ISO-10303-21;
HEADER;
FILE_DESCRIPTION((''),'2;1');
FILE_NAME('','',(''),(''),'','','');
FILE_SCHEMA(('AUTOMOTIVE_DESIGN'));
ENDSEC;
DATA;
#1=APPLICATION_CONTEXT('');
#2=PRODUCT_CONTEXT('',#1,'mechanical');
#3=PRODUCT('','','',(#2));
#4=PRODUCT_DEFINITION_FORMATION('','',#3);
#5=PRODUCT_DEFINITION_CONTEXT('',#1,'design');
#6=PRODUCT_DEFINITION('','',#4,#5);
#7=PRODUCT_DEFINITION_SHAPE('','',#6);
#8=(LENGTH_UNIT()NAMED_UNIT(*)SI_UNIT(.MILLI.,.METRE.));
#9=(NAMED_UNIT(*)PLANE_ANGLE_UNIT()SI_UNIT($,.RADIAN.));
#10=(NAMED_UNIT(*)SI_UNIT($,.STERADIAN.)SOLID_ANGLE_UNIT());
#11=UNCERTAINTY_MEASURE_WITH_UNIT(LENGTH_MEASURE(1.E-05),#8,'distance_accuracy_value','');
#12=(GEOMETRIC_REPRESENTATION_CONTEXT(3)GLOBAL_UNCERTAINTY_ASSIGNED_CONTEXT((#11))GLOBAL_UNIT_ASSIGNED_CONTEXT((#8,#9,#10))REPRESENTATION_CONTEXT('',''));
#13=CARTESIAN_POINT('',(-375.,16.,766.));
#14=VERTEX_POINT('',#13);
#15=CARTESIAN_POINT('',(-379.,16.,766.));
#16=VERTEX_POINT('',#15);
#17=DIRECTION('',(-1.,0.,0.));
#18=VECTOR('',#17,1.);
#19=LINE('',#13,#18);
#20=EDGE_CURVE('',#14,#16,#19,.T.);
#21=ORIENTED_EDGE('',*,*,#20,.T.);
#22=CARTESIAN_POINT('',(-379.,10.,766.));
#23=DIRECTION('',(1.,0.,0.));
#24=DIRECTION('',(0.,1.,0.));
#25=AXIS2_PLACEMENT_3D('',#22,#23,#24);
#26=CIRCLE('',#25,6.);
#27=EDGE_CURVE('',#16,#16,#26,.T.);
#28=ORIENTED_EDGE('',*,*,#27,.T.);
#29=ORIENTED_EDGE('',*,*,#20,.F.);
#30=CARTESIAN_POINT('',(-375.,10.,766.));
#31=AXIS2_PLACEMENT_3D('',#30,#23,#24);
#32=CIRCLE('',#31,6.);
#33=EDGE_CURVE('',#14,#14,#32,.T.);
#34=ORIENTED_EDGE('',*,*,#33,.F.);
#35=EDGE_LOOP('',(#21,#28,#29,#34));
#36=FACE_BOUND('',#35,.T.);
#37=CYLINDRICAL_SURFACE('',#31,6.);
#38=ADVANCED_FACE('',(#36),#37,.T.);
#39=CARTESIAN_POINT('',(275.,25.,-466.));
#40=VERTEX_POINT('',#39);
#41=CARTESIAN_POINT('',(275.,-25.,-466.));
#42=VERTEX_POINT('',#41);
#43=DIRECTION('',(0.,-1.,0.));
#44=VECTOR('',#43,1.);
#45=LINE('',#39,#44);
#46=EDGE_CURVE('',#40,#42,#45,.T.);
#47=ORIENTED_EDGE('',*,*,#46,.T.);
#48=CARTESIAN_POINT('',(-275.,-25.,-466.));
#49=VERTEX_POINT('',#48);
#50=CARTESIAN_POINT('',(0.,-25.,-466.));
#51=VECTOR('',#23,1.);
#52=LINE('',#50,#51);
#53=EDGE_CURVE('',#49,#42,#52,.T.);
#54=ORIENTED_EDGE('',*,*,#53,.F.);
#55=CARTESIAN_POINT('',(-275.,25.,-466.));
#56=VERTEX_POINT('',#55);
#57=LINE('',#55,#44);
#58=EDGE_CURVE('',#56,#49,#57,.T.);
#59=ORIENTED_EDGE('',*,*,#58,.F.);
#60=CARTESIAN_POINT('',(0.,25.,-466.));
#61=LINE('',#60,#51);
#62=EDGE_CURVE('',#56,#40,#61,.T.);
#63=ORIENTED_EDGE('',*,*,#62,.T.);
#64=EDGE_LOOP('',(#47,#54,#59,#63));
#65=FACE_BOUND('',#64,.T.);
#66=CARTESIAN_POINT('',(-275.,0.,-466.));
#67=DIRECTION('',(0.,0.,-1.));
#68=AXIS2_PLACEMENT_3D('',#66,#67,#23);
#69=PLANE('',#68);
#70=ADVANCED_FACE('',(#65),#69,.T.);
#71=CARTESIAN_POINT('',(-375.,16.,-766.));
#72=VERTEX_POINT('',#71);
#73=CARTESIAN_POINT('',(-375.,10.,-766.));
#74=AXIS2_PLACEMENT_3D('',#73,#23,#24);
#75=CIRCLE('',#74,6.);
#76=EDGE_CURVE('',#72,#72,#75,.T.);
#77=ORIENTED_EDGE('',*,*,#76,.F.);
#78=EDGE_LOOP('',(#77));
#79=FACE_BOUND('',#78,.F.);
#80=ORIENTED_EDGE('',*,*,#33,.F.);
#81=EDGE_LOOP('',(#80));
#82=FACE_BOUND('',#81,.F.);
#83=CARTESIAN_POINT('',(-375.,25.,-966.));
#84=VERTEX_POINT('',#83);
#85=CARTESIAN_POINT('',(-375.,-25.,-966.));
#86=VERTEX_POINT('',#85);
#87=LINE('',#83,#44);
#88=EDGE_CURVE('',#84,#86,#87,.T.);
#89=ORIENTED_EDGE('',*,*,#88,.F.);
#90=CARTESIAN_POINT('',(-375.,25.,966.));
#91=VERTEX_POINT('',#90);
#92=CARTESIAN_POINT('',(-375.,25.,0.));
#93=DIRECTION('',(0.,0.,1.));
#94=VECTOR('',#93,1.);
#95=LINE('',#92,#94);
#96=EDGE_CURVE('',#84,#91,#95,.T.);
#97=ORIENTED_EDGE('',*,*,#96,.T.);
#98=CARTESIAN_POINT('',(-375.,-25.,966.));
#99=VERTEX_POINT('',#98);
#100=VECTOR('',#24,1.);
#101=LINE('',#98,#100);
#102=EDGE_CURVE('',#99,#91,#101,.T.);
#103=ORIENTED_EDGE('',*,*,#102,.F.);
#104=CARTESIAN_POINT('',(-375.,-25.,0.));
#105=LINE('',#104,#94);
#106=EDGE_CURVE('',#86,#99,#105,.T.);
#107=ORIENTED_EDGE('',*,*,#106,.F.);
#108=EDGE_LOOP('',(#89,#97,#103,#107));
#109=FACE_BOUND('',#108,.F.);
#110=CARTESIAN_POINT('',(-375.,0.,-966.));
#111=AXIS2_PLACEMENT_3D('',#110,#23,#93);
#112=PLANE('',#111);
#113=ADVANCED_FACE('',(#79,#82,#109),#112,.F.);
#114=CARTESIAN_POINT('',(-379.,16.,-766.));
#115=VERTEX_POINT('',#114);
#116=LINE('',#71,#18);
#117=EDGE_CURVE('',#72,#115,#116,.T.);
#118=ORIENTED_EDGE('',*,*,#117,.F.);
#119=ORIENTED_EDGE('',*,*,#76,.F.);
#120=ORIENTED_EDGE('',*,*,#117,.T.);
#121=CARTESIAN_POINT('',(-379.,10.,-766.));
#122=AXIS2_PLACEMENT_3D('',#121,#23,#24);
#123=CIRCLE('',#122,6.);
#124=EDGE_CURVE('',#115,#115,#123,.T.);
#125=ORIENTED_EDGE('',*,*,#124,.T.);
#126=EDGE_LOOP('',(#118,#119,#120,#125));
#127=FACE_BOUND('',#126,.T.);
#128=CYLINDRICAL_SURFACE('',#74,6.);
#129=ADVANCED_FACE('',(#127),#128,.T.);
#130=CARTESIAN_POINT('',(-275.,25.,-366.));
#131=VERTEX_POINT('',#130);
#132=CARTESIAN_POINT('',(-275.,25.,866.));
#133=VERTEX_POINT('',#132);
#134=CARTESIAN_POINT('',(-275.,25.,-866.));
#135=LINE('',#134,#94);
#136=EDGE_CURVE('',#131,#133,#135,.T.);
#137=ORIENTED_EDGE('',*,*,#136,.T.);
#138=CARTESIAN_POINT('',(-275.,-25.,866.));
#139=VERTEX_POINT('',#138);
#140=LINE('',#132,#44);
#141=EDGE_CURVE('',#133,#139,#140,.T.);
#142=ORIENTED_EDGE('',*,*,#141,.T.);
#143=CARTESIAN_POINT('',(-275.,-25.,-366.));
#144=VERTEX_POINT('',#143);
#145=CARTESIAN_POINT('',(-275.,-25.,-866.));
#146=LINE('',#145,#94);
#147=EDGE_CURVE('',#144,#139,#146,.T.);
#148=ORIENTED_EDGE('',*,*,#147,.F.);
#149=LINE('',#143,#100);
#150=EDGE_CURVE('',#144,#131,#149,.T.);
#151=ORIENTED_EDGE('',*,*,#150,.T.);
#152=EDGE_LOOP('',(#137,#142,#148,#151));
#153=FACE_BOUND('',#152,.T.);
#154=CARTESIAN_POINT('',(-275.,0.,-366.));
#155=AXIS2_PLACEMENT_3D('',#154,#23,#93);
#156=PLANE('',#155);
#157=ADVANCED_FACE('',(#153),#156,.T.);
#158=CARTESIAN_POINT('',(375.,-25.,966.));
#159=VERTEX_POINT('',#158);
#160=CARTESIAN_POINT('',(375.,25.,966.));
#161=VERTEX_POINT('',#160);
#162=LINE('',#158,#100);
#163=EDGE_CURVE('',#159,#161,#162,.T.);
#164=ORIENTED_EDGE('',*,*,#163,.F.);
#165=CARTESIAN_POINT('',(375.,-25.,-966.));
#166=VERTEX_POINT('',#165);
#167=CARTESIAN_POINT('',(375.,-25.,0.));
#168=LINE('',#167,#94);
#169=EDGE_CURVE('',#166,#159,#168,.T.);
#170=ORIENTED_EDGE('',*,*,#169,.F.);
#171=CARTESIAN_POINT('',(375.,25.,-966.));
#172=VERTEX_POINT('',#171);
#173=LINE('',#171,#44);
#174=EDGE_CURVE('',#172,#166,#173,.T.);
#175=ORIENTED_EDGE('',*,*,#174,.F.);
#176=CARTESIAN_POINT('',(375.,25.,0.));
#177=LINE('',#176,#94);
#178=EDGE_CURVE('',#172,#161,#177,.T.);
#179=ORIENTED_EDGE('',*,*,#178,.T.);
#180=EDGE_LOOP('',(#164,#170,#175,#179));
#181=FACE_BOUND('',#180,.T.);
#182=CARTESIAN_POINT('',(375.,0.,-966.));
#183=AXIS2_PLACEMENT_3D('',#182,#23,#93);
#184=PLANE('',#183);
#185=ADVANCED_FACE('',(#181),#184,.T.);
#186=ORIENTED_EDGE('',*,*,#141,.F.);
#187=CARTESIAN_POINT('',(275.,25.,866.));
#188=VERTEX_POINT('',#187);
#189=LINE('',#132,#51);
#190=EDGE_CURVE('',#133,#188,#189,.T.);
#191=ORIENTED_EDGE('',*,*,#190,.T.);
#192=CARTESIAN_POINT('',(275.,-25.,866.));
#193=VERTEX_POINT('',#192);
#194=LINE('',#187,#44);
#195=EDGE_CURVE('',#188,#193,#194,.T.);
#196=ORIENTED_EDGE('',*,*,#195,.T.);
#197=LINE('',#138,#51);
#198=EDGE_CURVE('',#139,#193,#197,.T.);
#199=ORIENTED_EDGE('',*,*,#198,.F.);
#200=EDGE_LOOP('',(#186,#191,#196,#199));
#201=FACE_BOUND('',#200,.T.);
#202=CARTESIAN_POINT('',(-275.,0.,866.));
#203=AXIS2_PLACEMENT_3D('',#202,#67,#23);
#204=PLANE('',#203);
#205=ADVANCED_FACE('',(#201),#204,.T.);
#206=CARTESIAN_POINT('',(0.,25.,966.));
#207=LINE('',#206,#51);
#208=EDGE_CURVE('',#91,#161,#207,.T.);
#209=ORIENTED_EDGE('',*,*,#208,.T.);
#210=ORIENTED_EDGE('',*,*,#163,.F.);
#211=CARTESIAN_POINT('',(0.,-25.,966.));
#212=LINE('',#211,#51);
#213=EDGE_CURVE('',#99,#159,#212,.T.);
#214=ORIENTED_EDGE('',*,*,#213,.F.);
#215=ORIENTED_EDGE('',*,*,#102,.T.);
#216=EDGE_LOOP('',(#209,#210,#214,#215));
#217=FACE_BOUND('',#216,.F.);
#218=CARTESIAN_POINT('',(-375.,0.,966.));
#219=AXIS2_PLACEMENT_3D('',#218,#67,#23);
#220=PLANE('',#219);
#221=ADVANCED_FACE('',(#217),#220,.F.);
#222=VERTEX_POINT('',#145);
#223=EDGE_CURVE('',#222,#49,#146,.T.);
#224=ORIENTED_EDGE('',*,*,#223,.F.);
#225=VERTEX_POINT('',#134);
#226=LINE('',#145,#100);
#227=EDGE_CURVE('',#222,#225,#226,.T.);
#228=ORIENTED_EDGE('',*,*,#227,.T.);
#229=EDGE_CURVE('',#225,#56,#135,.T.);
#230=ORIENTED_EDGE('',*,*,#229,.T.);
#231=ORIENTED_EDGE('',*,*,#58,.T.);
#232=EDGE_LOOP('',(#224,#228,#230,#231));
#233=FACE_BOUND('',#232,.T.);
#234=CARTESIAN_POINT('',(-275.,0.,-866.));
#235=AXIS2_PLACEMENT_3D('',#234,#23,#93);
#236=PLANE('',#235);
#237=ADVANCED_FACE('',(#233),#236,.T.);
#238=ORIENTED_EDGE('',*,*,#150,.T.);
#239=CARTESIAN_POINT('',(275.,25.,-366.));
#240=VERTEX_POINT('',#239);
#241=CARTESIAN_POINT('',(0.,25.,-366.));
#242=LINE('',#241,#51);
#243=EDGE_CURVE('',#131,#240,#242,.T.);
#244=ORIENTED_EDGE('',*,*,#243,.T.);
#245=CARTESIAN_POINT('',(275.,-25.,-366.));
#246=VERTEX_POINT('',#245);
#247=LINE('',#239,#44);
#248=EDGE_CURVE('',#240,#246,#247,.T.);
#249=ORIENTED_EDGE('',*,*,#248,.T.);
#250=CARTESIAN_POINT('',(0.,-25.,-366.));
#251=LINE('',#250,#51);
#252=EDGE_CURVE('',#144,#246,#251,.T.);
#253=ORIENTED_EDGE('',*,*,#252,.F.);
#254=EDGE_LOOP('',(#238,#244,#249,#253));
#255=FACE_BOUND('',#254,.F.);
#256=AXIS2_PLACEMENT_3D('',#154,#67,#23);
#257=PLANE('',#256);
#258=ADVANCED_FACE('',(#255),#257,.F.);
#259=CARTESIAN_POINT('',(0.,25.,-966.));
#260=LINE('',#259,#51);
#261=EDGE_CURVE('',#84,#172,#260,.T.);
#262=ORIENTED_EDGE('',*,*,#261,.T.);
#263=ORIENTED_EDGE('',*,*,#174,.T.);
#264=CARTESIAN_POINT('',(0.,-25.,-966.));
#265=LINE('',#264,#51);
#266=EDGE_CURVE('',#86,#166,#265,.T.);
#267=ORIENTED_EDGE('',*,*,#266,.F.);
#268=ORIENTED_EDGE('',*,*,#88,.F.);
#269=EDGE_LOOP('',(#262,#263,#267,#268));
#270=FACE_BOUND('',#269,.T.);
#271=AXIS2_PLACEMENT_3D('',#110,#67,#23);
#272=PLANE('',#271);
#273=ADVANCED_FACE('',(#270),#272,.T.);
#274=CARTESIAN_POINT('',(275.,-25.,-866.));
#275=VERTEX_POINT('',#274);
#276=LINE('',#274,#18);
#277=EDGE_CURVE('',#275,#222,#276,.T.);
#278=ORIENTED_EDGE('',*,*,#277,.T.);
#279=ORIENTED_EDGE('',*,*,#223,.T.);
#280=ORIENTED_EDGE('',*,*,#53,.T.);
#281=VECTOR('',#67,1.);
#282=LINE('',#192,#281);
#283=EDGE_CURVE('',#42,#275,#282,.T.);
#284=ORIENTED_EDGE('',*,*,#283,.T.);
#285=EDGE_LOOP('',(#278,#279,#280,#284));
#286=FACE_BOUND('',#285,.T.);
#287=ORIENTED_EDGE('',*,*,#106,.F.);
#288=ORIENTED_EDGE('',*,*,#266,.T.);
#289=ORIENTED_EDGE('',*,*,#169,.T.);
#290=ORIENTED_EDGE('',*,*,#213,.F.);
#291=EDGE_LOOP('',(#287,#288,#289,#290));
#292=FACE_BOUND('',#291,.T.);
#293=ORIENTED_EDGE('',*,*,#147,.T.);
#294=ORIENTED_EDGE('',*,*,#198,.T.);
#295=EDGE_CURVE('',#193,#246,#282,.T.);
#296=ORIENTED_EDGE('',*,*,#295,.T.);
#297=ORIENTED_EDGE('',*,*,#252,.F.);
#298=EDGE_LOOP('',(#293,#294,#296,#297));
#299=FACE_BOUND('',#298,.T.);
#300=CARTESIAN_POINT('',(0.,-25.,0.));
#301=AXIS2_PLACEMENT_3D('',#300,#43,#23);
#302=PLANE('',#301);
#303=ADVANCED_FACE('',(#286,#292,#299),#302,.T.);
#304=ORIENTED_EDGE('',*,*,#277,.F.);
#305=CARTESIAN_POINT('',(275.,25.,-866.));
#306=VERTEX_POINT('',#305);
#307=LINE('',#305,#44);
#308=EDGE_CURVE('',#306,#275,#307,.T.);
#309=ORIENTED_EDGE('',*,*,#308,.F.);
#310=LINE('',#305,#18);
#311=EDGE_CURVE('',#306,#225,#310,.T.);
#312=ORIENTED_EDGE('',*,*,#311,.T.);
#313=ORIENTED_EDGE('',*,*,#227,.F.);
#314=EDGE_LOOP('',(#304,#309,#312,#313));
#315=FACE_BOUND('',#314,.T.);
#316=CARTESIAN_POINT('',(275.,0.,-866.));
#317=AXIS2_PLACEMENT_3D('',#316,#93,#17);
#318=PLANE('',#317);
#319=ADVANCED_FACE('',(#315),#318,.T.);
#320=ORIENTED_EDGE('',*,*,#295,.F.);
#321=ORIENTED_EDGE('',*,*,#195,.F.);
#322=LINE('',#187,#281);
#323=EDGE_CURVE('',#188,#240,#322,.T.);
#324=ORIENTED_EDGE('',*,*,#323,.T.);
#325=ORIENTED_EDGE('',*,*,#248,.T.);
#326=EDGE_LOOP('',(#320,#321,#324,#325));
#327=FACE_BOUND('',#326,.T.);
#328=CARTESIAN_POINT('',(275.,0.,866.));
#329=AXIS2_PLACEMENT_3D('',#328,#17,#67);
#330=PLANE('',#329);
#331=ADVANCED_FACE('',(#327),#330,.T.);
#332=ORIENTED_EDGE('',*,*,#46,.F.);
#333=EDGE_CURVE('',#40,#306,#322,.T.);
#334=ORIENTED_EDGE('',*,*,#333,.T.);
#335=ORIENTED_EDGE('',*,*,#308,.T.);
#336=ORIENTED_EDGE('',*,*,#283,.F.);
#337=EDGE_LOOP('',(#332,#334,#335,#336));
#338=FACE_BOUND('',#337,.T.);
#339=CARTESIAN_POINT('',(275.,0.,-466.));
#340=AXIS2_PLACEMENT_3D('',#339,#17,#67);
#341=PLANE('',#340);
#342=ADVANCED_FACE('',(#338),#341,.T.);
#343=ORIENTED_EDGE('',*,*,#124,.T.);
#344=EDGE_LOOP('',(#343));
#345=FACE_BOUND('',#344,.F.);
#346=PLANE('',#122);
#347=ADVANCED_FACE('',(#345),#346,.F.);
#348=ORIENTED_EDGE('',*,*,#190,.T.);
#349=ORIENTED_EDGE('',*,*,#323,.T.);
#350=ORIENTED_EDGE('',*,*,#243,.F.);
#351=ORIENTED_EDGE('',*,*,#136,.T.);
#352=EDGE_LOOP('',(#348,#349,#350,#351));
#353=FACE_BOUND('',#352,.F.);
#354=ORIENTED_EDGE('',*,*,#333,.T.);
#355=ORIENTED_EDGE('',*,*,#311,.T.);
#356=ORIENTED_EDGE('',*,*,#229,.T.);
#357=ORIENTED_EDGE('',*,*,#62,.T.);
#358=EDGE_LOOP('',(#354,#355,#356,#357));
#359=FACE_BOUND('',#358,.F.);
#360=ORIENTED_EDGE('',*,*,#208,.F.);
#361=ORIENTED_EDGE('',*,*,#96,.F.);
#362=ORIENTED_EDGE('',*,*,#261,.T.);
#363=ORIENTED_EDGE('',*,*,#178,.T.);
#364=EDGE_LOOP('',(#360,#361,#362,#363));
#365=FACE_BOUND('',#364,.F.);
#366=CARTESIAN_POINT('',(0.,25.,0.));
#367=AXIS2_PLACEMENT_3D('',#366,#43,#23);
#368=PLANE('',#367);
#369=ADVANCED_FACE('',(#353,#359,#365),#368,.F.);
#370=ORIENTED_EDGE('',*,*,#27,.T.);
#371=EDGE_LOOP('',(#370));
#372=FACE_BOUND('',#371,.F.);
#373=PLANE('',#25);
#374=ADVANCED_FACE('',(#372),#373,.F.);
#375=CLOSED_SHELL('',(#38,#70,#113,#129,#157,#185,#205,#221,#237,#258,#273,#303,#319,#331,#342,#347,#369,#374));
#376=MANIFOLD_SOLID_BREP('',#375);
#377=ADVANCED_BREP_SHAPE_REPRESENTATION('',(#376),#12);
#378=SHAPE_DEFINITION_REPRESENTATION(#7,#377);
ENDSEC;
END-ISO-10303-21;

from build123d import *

# Parameters (mm, degrees)
F0_W     = 750
F0_H     = 1932
F0_W_2   = 550
F0_H_2   = 100
F1_DEPTH = 25
F3_R     = 6
F4_DEPTH = 4


with BuildPart() as f1:
    # F0 (on Front) → F1 (new body, symmetric)
    with BuildSketch(Plane.XZ):
        Rectangle(F0_W, F0_H)
        Polygon((-275, -366), (-275, 866), (275, 866), (275, -366), (275, -466), (275, -866), (-275, -866), (-275, -466), align=None, mode=Mode.SUBTRACT)
        with Locations((0, -416)):
            Rectangle(F0_W_2, F0_H_2)
    extrude(amount=F1_DEPTH, both=True)

    # F3 (on offset) → F4 (join)
    with BuildSketch(Plane.YZ.offset(-375)):
        with Locations((10, 766)):
            Circle(F3_R)
        with Locations((10, -766)):
            Circle(F3_R)
    extrude(amount=-F4_DEPTH)


solid = f1.part
